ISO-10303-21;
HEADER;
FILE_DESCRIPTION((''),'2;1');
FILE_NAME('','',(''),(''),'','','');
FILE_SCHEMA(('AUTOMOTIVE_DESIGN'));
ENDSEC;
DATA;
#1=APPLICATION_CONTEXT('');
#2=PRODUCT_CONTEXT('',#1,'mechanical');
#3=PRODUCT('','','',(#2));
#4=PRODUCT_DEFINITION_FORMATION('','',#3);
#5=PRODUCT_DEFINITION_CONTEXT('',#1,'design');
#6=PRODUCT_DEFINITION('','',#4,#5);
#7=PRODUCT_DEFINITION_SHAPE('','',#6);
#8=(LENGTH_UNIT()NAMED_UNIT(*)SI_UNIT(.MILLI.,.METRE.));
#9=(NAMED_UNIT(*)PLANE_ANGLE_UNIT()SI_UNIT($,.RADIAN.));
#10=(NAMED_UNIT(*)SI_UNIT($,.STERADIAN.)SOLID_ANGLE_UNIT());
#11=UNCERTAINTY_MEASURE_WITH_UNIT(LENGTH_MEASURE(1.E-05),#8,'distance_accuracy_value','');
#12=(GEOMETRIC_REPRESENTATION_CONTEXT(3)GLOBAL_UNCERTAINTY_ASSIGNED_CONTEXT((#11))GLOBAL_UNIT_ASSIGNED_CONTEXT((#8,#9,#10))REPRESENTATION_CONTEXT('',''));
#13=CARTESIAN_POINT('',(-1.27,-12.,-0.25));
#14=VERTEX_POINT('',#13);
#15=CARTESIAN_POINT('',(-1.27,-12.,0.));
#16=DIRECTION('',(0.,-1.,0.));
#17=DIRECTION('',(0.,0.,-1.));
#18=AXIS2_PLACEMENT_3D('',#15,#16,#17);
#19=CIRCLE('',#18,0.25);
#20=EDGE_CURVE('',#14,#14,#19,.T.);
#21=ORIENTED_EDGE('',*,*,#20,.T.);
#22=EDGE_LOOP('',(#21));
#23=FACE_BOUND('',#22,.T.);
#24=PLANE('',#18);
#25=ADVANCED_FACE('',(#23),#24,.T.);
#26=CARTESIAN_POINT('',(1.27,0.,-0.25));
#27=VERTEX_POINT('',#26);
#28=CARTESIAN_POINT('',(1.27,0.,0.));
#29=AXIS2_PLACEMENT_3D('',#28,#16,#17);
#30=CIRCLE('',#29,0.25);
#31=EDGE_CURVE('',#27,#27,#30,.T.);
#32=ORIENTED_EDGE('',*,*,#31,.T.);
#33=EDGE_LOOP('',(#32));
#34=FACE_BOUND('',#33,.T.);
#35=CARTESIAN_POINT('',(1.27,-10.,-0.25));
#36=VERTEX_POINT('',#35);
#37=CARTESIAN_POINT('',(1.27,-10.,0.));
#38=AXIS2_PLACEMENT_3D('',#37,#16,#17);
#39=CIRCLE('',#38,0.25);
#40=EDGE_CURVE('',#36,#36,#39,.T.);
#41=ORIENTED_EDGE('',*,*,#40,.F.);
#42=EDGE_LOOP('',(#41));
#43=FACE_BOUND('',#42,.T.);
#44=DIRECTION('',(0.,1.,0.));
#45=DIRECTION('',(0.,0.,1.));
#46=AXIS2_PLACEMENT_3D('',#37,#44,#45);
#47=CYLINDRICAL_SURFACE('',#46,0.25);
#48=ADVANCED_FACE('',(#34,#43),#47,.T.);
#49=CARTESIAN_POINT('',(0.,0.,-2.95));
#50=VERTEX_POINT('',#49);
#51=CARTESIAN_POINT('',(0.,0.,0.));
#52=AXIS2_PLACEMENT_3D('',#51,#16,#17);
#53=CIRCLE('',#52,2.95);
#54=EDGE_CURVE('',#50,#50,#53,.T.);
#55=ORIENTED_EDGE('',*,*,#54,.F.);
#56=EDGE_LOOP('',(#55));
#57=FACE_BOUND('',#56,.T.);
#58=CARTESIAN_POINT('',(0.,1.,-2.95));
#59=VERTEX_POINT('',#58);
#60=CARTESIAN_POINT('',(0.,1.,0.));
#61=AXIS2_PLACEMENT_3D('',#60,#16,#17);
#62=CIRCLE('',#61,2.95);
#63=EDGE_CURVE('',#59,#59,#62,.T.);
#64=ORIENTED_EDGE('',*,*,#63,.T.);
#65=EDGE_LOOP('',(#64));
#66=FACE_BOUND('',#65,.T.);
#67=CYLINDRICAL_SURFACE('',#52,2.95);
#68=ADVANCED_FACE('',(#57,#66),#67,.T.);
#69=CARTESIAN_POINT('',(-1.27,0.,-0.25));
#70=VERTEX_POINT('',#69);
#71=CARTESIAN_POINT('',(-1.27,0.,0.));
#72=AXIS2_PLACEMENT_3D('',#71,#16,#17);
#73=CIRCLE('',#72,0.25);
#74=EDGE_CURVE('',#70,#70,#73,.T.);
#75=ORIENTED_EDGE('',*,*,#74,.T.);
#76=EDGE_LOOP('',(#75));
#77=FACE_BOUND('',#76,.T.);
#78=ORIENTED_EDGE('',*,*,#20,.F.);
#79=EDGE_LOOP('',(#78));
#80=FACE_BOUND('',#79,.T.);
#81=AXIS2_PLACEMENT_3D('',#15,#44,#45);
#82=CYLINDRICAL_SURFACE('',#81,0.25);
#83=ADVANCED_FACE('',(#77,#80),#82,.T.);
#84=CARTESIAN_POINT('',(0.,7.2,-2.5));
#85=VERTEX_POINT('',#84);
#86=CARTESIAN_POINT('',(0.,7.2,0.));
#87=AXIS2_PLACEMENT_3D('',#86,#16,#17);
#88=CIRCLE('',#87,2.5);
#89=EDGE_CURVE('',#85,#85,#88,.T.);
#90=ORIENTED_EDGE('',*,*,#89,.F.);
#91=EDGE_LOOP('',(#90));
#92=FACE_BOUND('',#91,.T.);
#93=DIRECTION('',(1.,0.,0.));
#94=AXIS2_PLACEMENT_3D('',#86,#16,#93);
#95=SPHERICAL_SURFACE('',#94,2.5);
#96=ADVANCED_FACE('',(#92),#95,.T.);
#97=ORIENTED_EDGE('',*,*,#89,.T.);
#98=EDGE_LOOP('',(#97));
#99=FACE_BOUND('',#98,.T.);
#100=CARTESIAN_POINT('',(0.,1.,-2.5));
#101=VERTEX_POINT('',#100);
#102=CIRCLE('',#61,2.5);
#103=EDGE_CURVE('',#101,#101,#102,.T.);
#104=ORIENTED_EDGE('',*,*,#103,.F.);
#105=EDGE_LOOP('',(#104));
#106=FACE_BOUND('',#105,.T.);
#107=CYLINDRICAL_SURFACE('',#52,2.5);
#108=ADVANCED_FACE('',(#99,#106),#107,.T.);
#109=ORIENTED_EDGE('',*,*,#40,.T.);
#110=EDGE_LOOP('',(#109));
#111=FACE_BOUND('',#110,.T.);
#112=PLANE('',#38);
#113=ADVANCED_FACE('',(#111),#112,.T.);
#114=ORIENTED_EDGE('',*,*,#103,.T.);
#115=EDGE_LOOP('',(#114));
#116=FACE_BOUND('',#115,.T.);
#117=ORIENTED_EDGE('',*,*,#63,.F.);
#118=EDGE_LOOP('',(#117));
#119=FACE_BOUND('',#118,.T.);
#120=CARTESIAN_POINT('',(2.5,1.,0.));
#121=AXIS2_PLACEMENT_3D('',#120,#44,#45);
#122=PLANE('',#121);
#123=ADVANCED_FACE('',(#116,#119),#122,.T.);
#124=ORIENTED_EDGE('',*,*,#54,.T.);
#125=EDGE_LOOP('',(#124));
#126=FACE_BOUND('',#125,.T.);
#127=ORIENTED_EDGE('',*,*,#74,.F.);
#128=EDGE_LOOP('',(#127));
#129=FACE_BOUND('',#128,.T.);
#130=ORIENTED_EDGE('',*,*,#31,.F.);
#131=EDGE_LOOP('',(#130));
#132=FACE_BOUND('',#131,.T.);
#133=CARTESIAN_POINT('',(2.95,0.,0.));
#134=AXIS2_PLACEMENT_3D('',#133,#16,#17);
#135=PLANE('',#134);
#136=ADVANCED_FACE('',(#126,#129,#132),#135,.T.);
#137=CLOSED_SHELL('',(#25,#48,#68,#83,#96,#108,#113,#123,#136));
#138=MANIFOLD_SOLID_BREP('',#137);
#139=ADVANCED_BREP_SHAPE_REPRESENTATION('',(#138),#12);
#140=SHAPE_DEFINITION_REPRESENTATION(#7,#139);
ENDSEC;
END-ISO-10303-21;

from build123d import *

# Parameters (mm, degrees)
SKETCH2_R           = 0.25
BOSS_EXTRUDE1_DEPTH = 10
SKETCH3_R           = 0.25
BOSS_EXTRUDE2_DEPTH = 12


with BuildPart() as part:
    # Sketch1 → Revolve1 (revolve)
    with BuildSketch(Plane.XY, mode=Mode.PRIVATE) as revolve1_sk:
        with BuildLine():
            Line((0, 0), (0, 9.7))
            ThreePointArc((0, 9.7), (1.767766953, 8.967766953), (2.5, 7.2))
            Line((2.5, 7.2), (2.5, 1))
            Line((2.5, 1), (2.95, 1))
            Line((2.95, 1), (2.95, 0))
            Line((2.95, 0), (0, 0))
        make_face()
    revolve(revolve1_sk.sketch.rotate(Axis((0, 0, 0), (0, 1, 0)), 90), axis=Axis((0, 0, 0), (0, 1, 0)))

    # Sketch2 → Boss-Extrude1 (add)
    with BuildSketch(Plane.XZ):
        with Locations(Location((1.27, 0, 0), (0, 0, 270))):
            Circle(SKETCH2_R)
    extrude(amount=BOSS_EXTRUDE1_DEPTH)

    # Sketch3 → Boss-Extrude2 (add)
    with BuildSketch(Plane.XZ):
        with Locations(Location((-1.27, 0, 0), (0, 0, 270))):
            Circle(SKETCH3_R)
    extrude(amount=BOSS_EXTRUDE2_DEPTH)


solid = part.part
